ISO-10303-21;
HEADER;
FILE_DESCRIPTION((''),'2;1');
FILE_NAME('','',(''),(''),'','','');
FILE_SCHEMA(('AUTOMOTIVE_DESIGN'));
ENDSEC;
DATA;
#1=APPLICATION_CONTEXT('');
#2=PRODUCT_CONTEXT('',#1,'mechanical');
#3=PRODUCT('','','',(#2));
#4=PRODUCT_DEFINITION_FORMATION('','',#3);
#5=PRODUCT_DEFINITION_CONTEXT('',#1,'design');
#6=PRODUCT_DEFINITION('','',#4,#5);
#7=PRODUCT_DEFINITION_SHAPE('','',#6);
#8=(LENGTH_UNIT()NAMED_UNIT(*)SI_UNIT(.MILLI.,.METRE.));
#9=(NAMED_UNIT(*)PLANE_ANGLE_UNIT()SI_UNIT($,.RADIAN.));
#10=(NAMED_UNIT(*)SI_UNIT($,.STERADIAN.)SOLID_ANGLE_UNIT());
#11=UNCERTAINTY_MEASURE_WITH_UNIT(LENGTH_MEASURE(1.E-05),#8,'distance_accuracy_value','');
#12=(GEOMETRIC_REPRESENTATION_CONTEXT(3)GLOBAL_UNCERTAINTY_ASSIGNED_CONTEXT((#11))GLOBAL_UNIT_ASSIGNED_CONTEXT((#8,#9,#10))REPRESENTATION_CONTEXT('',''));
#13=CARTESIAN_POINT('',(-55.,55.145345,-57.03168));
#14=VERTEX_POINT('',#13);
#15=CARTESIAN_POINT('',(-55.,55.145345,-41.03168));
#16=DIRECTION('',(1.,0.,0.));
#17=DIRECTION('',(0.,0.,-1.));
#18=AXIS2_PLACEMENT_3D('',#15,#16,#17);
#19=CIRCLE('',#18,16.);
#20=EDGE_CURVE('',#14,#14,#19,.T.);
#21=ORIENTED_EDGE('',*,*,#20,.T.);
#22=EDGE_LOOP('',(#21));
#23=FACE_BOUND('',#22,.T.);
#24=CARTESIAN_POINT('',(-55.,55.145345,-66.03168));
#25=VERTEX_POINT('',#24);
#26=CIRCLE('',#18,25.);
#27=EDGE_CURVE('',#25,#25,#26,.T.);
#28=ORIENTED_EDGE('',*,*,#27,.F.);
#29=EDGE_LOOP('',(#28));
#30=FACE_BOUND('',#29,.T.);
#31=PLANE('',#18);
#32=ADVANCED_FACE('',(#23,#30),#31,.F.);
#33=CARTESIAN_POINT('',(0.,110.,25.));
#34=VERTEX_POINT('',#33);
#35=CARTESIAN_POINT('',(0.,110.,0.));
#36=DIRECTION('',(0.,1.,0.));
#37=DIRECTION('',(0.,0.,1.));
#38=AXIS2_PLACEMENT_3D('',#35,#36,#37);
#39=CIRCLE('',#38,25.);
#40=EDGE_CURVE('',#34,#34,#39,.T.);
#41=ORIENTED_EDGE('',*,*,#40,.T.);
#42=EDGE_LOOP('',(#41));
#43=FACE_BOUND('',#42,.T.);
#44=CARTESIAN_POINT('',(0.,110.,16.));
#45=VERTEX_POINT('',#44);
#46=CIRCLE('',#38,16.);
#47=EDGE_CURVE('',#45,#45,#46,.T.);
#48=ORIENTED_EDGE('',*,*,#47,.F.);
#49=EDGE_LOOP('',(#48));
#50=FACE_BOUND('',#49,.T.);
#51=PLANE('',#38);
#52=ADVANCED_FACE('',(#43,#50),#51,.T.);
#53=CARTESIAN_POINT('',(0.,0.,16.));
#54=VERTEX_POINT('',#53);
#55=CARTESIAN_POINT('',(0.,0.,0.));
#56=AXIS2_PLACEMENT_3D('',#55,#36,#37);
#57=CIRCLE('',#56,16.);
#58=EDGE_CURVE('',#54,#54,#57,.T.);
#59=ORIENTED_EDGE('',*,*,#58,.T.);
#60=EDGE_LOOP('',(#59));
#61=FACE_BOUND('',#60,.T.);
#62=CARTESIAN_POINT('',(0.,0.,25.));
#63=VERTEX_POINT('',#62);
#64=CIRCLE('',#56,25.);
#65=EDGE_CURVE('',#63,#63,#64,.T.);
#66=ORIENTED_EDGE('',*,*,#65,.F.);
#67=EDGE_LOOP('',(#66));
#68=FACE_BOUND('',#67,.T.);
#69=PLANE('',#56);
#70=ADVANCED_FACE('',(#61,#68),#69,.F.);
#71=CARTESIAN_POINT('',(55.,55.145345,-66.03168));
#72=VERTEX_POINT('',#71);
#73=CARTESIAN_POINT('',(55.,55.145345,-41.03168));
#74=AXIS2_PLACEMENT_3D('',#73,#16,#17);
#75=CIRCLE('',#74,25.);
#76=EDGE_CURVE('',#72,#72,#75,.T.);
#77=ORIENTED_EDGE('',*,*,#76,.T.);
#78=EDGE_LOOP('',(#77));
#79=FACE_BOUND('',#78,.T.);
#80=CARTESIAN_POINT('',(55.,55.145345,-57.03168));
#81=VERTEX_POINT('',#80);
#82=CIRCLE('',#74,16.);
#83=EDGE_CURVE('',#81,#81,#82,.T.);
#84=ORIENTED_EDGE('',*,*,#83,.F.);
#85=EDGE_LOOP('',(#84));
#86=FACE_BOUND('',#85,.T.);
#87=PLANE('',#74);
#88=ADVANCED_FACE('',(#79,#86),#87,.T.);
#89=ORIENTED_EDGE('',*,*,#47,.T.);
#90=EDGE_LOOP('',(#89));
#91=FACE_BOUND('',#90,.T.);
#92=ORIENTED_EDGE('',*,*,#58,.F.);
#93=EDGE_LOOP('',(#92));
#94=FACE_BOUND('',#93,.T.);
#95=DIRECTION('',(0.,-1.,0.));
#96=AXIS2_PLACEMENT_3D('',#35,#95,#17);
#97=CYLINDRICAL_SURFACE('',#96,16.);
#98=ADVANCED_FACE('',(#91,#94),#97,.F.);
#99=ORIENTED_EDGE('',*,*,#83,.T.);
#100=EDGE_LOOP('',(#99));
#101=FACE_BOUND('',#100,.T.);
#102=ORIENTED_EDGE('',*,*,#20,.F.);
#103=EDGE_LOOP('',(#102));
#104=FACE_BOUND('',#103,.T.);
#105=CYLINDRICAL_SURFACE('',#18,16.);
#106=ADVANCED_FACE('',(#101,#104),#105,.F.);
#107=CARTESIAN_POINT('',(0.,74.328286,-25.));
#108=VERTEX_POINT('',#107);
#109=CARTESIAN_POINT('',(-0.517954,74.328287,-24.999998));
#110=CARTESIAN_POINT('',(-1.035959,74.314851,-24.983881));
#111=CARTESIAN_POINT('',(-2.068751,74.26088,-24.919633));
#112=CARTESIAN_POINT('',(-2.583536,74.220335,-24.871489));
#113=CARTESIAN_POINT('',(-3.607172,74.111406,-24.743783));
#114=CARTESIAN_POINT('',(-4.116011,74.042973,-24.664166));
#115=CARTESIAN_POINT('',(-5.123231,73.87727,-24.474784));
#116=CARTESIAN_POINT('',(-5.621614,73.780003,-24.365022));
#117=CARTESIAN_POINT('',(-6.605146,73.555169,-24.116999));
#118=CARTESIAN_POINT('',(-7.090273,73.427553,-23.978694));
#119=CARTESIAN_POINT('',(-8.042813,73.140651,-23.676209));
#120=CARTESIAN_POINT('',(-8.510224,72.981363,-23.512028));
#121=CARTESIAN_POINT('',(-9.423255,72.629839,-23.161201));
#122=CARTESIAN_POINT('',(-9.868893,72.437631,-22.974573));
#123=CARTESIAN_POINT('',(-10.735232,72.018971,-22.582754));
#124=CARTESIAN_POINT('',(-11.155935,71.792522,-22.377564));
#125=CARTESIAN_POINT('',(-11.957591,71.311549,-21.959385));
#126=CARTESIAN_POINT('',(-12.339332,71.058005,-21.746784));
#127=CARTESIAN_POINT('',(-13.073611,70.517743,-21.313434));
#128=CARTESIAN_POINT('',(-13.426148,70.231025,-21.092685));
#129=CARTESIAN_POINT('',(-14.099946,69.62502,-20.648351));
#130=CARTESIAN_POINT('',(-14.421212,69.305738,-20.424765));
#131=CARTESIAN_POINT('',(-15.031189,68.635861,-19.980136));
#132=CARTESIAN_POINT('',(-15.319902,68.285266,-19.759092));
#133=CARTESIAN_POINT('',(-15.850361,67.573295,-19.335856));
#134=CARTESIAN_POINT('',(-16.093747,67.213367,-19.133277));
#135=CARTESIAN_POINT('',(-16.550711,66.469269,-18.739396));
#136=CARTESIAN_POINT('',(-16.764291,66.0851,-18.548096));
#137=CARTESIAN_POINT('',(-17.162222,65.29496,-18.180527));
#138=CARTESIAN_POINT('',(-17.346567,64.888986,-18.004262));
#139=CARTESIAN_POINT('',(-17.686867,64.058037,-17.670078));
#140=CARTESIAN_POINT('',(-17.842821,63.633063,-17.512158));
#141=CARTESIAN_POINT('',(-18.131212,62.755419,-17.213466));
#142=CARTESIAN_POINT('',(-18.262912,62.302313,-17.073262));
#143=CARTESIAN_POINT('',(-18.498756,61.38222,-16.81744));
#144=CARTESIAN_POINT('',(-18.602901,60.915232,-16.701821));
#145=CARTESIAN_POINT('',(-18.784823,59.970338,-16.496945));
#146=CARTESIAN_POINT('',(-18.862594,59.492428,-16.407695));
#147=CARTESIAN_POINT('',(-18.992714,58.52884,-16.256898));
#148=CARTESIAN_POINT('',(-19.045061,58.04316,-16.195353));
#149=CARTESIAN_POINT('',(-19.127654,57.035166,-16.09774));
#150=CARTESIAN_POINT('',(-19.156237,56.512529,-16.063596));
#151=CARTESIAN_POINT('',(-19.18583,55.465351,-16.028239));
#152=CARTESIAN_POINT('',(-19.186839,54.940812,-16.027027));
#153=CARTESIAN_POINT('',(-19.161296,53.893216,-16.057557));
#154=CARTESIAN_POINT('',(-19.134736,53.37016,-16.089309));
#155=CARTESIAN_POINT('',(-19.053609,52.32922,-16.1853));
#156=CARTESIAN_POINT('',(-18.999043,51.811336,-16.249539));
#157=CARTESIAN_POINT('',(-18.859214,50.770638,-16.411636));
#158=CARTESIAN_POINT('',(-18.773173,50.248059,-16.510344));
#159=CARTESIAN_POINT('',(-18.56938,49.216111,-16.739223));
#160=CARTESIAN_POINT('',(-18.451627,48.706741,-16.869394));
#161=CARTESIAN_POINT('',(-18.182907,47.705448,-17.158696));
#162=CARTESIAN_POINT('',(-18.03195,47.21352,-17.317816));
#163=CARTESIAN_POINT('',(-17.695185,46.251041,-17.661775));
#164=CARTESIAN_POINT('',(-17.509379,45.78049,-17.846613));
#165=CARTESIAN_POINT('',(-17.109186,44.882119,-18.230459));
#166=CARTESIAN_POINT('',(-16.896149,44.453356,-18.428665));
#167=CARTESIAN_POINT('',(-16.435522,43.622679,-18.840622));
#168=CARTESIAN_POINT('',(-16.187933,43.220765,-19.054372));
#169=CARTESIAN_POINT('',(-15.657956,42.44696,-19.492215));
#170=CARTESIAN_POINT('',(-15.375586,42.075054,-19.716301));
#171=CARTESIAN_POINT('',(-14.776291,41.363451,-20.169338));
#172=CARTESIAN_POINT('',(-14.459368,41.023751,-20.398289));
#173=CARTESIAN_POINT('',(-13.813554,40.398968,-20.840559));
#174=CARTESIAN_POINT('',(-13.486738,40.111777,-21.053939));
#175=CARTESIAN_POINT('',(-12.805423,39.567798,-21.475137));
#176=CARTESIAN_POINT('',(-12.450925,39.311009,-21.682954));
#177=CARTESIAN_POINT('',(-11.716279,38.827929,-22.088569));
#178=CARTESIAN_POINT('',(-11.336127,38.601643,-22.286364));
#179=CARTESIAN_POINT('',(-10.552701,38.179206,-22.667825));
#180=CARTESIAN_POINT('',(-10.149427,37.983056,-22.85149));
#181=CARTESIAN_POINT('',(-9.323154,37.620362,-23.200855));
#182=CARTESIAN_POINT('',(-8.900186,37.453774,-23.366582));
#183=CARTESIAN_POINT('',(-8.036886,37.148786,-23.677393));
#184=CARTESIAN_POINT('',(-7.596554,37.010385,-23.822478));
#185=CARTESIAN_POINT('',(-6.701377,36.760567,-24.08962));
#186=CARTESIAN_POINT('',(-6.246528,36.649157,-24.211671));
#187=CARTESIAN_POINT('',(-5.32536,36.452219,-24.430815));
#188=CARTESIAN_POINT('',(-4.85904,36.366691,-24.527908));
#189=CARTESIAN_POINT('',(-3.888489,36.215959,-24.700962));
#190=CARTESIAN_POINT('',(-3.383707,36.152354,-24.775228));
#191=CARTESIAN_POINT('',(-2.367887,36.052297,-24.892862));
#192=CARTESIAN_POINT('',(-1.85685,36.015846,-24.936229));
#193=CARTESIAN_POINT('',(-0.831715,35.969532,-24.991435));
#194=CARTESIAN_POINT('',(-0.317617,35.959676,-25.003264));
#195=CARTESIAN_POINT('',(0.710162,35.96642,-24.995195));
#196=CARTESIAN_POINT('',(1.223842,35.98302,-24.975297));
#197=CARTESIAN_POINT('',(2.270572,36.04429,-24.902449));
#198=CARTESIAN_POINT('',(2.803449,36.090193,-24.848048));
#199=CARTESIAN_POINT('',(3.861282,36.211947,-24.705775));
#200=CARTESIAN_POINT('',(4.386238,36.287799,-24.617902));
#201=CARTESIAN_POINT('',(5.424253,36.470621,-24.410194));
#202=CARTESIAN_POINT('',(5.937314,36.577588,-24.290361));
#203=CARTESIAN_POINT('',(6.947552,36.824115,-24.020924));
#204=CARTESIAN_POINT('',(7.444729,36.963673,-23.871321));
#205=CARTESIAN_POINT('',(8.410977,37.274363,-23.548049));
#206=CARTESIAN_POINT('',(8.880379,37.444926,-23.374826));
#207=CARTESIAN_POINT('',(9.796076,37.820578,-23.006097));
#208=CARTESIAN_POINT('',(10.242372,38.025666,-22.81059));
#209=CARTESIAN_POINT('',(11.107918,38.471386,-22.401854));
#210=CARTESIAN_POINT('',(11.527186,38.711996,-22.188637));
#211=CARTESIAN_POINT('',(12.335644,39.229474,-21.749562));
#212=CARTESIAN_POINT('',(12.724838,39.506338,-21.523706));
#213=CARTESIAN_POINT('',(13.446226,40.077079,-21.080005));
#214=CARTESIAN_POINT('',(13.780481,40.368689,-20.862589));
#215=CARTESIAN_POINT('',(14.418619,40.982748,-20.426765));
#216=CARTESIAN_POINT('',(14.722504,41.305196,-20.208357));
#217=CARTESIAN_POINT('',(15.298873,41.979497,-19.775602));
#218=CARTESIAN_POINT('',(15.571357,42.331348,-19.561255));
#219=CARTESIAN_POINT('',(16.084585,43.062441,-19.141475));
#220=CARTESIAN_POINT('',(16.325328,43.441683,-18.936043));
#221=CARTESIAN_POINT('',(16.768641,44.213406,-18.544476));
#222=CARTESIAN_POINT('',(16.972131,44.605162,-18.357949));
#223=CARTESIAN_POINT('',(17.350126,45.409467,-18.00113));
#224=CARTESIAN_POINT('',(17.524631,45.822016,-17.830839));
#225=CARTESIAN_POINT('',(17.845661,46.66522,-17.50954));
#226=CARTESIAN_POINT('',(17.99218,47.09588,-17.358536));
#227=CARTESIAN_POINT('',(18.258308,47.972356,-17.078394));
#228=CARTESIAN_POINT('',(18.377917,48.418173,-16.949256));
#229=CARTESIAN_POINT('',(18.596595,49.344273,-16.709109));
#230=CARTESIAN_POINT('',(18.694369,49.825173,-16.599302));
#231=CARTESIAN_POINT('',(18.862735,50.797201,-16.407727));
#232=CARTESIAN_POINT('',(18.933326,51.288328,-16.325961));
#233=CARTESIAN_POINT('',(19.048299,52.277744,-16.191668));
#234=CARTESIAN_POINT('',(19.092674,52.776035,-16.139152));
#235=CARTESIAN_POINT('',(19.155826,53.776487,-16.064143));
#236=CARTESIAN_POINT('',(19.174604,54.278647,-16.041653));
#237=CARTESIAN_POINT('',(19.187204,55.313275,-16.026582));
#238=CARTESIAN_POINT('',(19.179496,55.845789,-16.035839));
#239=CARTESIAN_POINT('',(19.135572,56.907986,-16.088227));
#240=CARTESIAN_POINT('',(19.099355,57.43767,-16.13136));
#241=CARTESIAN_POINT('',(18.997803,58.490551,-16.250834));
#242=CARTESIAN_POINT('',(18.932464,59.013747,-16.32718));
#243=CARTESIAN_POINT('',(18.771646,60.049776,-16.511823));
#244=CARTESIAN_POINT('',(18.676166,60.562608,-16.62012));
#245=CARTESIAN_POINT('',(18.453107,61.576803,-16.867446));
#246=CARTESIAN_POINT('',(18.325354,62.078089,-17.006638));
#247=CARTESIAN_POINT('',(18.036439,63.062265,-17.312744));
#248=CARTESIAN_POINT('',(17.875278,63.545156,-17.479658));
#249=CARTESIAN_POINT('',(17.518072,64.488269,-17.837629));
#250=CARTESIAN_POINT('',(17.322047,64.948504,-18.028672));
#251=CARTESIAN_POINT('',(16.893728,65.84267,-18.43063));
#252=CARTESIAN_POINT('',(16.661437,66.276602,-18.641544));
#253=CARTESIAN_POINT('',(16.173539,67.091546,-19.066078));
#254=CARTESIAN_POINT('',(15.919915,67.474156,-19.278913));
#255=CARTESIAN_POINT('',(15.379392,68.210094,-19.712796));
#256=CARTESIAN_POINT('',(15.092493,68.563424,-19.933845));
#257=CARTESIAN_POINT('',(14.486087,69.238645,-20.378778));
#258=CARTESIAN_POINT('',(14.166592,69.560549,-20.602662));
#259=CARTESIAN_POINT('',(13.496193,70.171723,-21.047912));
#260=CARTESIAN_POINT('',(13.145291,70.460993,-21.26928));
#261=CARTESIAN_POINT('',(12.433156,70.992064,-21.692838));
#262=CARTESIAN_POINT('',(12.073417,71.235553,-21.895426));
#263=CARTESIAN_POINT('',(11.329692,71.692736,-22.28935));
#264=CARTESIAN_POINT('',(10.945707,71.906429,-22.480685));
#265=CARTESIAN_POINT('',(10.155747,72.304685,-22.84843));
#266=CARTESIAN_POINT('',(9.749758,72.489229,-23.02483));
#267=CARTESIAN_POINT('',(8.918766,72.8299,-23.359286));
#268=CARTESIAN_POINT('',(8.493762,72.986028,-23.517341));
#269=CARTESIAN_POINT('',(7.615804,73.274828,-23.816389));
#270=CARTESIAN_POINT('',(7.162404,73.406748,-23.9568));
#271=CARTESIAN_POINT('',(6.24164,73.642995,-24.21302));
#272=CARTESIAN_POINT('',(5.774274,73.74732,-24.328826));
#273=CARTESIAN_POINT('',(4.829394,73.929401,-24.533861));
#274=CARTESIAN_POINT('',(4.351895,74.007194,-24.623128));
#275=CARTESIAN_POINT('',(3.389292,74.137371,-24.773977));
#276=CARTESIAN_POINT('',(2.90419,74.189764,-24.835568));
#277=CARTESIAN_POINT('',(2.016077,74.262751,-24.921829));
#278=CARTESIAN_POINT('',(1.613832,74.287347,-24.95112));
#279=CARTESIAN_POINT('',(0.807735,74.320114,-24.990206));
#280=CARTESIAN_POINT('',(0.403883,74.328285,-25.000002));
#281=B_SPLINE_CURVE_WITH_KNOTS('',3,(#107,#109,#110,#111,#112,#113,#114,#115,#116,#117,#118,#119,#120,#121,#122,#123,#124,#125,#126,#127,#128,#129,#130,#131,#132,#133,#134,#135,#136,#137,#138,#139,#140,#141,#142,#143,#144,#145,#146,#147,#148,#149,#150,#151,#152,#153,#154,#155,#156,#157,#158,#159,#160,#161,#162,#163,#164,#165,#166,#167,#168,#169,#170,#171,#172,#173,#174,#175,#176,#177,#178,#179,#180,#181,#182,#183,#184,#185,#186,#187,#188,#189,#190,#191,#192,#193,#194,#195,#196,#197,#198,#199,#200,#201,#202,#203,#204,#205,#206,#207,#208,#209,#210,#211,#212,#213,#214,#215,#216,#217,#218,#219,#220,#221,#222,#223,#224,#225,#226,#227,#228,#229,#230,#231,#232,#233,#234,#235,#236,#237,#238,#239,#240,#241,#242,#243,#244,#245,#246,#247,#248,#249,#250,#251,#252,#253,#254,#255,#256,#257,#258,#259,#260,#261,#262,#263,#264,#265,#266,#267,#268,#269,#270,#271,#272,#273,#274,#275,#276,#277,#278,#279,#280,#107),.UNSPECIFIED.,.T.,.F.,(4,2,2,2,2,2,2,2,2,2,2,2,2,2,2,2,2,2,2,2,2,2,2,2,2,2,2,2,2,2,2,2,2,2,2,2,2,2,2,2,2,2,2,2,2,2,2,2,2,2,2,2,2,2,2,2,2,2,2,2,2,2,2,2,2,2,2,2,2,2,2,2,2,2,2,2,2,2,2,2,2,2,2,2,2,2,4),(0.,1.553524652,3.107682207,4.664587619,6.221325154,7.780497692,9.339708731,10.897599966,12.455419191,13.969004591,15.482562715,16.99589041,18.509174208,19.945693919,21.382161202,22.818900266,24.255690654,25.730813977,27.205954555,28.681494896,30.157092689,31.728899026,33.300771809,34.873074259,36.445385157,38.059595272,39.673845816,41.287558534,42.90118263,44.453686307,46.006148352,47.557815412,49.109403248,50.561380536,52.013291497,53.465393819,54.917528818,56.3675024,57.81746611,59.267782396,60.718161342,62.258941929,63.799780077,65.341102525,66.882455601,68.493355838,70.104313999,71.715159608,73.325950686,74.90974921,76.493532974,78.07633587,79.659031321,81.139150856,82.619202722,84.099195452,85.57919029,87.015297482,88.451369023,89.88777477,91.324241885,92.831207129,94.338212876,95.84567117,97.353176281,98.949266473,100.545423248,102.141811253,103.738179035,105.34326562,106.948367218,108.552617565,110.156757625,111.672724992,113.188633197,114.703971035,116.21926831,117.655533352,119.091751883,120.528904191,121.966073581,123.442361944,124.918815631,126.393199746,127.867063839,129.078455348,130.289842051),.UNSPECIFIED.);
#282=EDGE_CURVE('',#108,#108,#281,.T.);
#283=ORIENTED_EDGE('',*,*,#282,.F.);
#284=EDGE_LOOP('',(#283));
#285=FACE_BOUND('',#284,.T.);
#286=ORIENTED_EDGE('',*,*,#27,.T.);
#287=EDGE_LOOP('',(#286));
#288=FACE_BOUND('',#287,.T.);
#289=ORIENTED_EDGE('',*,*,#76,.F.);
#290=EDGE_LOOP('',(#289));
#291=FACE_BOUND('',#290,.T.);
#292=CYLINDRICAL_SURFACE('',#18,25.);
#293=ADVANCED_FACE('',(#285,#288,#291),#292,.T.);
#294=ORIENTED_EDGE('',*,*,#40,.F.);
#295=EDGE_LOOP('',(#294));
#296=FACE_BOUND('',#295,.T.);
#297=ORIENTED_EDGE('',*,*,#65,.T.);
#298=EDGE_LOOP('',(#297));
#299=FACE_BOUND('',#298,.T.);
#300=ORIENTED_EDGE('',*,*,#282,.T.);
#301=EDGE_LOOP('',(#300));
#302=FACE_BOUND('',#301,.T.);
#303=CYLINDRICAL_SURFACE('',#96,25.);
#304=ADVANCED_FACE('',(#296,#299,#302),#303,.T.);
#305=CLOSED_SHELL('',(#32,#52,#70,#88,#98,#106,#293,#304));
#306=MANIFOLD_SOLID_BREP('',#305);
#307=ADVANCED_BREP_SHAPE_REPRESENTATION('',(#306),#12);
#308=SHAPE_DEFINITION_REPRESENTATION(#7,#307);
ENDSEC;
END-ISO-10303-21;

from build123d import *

# Parameters (mm, degrees)
SKETCH2_R                = 25
SKETCH2_R_2              = 16
BOSS_EXTRUDE1_DEPTH      = 110
BOSS_EXTRUDE3_DEPTH      = 55
BOSS_EXTRUDE3_DEPTH_BACK = 55
SKETCH3_R                = 25
SKETCH5_R                = 16
CUT_EXTRUDE2_DEPTH       = 110


with BuildPart() as part:
    # Sketch2 → Boss-Extrude1 (new body)
    with BuildSketch(Plane(origin=(0, 0, 0), x_dir=(1, 0, 0), z_dir=(0, 1, 0))):
        Circle(SKETCH2_R)
        Circle(SKETCH2_R_2, mode=Mode.SUBTRACT)
    extrude(amount=BOSS_EXTRUDE1_DEPTH)

    # Sketch3 → Boss-Extrude3 (add, two sides: drawn at the far end of the back side and taken through both)
    with BuildSketch(Plane(origin=(0, 0, 0), x_dir=(0, 0, -1), z_dir=(1, 0, 0)).offset(-BOSS_EXTRUDE3_DEPTH_BACK)):
        with Locations((41.031680292, 55.145345171)):
            Circle(SKETCH3_R)
    extrude(amount=BOSS_EXTRUDE3_DEPTH + BOSS_EXTRUDE3_DEPTH_BACK)

    # Sketch5 → Cut-Extrude2 (cut)
    with BuildSketch(Plane(origin=(55, 0, 0), x_dir=(0, 0, -1), z_dir=(1, 0, 0))):
        with Locations((41.031680292, 55.145345171)):
            Circle(SKETCH5_R)
    extrude(amount=-CUT_EXTRUDE2_DEPTH, mode=Mode.SUBTRACT)


solid = part.part
